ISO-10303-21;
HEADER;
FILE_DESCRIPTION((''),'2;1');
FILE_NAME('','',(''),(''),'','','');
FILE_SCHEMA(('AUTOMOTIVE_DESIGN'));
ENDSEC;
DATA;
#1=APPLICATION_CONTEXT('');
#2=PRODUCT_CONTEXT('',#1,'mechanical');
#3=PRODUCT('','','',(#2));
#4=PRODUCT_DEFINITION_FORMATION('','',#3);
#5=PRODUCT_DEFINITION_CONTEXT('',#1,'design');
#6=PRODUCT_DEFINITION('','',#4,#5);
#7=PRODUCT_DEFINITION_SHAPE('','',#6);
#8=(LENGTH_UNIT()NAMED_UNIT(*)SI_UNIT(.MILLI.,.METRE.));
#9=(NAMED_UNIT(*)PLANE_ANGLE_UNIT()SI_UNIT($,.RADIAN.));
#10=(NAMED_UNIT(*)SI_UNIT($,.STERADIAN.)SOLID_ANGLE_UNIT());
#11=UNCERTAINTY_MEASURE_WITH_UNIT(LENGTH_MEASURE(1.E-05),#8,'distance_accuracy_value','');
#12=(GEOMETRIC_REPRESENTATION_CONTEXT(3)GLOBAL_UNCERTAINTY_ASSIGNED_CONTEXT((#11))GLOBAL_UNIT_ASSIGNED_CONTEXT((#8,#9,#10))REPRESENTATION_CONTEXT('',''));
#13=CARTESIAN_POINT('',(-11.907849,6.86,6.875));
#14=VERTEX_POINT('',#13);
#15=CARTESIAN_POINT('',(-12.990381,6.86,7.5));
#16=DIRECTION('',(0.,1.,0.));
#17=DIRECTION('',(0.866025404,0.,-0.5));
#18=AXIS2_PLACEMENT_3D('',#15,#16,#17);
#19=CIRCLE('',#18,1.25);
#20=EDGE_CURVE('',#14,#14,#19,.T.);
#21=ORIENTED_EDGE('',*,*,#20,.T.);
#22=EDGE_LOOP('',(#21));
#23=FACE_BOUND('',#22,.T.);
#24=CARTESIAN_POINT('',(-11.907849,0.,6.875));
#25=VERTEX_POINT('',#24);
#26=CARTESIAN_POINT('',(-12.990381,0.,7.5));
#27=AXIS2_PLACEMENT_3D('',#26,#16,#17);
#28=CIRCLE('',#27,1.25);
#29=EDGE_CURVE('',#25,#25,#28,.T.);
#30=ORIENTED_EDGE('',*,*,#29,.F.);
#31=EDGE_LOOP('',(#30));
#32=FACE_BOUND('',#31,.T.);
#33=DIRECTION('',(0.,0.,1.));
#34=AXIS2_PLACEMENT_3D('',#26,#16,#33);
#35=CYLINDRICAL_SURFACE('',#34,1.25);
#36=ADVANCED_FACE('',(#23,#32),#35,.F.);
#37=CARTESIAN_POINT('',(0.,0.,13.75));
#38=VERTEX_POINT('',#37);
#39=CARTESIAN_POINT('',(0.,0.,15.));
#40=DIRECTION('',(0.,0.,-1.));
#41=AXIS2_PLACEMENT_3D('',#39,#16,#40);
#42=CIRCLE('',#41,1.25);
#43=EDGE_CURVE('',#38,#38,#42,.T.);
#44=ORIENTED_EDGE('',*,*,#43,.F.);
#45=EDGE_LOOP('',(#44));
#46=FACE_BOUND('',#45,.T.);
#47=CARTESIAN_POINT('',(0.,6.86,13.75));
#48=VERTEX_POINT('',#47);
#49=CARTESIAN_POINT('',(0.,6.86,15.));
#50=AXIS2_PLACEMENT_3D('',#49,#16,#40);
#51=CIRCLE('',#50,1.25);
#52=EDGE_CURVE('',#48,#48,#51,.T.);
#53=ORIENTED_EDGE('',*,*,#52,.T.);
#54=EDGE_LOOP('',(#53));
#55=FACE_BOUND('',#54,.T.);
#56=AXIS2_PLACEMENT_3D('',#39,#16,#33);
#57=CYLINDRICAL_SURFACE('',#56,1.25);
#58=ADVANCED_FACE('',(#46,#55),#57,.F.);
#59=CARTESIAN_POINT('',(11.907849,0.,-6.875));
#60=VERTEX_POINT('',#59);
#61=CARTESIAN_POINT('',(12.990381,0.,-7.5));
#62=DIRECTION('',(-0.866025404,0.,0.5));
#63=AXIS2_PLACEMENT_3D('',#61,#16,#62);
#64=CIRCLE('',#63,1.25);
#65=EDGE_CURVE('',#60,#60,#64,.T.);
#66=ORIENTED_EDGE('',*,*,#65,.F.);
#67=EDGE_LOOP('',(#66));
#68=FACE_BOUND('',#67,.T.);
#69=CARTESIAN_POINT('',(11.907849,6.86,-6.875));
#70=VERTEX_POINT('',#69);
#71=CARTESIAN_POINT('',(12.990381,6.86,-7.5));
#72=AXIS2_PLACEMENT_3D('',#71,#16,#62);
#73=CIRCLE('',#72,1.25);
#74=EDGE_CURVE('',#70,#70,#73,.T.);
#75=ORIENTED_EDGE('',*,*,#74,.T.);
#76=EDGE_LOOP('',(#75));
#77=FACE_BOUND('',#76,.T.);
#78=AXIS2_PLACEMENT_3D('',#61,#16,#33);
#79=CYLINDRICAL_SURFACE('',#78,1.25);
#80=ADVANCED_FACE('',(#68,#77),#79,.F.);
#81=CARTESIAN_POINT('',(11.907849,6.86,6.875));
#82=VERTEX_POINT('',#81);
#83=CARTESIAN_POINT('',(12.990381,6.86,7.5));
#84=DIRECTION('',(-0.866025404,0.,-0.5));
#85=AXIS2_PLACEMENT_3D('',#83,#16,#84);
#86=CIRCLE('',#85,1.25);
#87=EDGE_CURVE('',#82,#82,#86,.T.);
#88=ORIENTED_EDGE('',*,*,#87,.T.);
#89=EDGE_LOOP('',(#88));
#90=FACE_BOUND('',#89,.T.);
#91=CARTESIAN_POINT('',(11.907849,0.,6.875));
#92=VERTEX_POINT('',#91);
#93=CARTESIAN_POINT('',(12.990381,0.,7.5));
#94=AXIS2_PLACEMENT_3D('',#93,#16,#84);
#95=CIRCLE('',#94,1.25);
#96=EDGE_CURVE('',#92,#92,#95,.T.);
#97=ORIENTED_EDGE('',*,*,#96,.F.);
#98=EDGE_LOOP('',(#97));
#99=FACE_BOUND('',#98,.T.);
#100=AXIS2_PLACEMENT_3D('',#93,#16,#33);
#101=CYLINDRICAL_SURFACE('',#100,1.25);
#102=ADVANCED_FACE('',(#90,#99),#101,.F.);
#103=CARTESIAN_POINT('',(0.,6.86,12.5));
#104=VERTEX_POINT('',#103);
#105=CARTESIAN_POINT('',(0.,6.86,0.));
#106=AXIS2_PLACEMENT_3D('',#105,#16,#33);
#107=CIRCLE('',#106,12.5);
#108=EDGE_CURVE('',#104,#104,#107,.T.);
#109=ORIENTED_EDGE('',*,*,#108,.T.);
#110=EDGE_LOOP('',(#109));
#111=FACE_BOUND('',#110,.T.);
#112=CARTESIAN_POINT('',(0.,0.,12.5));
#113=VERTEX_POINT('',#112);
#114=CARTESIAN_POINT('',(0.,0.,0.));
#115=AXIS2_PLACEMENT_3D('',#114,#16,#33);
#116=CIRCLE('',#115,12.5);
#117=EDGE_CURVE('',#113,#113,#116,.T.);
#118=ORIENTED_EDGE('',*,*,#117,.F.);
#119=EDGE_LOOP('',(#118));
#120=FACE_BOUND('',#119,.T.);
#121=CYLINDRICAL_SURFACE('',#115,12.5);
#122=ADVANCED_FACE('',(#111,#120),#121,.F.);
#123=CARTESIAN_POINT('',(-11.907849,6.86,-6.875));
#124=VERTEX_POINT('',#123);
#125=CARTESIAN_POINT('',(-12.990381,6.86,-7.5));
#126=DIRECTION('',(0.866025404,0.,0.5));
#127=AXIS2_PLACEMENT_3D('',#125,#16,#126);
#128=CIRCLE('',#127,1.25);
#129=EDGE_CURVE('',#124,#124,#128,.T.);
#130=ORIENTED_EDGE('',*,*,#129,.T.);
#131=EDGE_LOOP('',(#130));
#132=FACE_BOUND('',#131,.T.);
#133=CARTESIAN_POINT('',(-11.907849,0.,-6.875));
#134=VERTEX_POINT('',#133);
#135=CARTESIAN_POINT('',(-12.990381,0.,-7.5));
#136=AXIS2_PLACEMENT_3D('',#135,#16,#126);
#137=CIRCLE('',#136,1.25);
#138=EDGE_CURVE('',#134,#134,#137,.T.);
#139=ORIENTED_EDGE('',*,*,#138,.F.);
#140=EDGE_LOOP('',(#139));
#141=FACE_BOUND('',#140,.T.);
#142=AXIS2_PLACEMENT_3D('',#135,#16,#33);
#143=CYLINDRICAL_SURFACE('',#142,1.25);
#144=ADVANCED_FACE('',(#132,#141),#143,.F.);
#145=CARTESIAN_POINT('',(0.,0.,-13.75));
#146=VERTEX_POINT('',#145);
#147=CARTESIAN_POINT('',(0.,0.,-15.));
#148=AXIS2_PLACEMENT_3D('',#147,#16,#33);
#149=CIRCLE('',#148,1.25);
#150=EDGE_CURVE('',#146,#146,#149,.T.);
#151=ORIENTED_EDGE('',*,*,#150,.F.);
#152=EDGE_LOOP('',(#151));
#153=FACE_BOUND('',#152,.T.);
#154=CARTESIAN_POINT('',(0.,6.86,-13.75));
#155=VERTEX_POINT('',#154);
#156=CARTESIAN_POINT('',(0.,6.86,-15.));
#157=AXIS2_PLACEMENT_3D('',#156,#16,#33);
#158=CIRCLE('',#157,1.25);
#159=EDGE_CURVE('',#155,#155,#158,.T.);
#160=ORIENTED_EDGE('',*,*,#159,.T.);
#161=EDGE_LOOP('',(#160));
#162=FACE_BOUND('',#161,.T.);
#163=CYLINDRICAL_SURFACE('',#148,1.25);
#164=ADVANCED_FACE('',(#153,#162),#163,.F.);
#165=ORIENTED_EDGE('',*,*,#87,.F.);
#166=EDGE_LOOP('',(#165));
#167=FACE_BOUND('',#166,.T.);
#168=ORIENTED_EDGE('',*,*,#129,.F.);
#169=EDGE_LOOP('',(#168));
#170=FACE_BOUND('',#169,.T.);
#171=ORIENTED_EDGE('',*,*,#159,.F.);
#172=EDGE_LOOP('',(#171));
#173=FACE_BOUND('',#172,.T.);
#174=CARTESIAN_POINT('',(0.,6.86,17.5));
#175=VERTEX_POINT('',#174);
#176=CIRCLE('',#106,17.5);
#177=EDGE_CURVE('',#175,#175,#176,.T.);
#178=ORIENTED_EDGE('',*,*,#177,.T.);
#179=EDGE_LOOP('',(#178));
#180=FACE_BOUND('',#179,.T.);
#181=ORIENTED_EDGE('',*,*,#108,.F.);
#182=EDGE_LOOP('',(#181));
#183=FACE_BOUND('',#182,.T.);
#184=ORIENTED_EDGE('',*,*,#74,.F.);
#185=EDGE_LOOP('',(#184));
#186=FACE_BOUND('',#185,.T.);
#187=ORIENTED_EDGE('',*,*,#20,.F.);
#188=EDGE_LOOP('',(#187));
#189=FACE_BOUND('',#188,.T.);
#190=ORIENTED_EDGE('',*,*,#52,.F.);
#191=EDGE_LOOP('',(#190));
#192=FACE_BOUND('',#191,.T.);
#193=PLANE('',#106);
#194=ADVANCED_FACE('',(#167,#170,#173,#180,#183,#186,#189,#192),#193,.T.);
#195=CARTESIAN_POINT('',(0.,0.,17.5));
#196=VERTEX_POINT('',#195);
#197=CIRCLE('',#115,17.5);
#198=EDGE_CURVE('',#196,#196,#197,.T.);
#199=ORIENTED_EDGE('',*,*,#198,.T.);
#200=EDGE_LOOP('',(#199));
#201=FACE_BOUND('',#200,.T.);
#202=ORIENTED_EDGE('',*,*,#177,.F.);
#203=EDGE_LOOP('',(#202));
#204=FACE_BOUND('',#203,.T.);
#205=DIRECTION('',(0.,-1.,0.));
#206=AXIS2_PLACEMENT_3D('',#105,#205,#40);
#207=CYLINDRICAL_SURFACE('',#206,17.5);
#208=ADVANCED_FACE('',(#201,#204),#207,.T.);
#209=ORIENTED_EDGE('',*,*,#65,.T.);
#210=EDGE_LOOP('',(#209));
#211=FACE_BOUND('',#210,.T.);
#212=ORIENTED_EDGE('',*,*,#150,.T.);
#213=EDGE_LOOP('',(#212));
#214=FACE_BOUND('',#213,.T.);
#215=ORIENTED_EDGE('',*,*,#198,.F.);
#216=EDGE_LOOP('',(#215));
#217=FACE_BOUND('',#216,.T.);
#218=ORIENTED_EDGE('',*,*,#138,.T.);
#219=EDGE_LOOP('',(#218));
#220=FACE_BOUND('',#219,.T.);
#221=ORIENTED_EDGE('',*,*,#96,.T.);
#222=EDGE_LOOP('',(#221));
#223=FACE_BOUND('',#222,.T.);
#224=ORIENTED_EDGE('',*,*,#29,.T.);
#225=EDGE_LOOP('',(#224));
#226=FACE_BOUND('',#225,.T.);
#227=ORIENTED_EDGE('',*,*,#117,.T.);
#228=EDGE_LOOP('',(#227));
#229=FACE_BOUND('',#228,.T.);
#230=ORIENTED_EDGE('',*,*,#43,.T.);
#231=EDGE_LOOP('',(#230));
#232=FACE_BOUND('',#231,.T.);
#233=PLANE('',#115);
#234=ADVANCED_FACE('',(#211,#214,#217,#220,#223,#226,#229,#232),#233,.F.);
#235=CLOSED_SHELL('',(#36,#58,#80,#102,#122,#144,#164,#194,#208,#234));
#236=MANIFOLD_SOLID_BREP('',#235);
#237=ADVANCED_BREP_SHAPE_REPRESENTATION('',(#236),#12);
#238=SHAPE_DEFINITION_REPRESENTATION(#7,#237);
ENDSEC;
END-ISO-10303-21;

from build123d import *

# Parameters (mm, degrees)
SKETCH1_R           = 17.5
BOSS_EXTRUDE1_DEPTH = 6.86
SKETCH2_R           = 12.5
CUT_EXTRUDE1_DEPTH  = 6.86
SKETCH3_R           = 1.25
CUT_EXTRUDE2_DEPTH  = 6.86
CIRPATTERN2_COUNT   = 6


with BuildPart() as part:
    # Sketch1 → Boss-Extrude1 (new body)
    with BuildSketch(Plane(origin=(0, 0, 0), x_dir=(1, 0, 0), z_dir=(0, 1, 0))):
        Circle(SKETCH1_R)
    extrude(amount=BOSS_EXTRUDE1_DEPTH)

    # Sketch2 → Cut-Extrude1 (cut)
    with BuildSketch(Plane(origin=(0, 6.86, 0), x_dir=(1, 0, 0), z_dir=(0, 1, 0))):
        Circle(SKETCH2_R)
    extrude(amount=-CUT_EXTRUDE1_DEPTH, mode=Mode.SUBTRACT)

    # Sketch3 → Cut-Extrude2 (cut)
    with BuildSketch(Plane(origin=(0, 6.86, 0), x_dir=(1, 0, 0), z_dir=(0, 1, 0))):
        with Locations((0, 15)):
            Circle(SKETCH3_R)
    cut_extrude2 = extrude(amount=-CUT_EXTRUDE2_DEPTH, mode=Mode.SUBTRACT)

    # CirPattern2: Cut-Extrude2 ×6 about axis
    cirpattern2_axis = Axis((0, 0, 0), (0, 1, 0))
    for i in range(1, CIRPATTERN2_COUNT):
        add(cut_extrude2.rotate(cirpattern2_axis, i * 360 / CIRPATTERN2_COUNT), mode=Mode.SUBTRACT)


solid = part.part
